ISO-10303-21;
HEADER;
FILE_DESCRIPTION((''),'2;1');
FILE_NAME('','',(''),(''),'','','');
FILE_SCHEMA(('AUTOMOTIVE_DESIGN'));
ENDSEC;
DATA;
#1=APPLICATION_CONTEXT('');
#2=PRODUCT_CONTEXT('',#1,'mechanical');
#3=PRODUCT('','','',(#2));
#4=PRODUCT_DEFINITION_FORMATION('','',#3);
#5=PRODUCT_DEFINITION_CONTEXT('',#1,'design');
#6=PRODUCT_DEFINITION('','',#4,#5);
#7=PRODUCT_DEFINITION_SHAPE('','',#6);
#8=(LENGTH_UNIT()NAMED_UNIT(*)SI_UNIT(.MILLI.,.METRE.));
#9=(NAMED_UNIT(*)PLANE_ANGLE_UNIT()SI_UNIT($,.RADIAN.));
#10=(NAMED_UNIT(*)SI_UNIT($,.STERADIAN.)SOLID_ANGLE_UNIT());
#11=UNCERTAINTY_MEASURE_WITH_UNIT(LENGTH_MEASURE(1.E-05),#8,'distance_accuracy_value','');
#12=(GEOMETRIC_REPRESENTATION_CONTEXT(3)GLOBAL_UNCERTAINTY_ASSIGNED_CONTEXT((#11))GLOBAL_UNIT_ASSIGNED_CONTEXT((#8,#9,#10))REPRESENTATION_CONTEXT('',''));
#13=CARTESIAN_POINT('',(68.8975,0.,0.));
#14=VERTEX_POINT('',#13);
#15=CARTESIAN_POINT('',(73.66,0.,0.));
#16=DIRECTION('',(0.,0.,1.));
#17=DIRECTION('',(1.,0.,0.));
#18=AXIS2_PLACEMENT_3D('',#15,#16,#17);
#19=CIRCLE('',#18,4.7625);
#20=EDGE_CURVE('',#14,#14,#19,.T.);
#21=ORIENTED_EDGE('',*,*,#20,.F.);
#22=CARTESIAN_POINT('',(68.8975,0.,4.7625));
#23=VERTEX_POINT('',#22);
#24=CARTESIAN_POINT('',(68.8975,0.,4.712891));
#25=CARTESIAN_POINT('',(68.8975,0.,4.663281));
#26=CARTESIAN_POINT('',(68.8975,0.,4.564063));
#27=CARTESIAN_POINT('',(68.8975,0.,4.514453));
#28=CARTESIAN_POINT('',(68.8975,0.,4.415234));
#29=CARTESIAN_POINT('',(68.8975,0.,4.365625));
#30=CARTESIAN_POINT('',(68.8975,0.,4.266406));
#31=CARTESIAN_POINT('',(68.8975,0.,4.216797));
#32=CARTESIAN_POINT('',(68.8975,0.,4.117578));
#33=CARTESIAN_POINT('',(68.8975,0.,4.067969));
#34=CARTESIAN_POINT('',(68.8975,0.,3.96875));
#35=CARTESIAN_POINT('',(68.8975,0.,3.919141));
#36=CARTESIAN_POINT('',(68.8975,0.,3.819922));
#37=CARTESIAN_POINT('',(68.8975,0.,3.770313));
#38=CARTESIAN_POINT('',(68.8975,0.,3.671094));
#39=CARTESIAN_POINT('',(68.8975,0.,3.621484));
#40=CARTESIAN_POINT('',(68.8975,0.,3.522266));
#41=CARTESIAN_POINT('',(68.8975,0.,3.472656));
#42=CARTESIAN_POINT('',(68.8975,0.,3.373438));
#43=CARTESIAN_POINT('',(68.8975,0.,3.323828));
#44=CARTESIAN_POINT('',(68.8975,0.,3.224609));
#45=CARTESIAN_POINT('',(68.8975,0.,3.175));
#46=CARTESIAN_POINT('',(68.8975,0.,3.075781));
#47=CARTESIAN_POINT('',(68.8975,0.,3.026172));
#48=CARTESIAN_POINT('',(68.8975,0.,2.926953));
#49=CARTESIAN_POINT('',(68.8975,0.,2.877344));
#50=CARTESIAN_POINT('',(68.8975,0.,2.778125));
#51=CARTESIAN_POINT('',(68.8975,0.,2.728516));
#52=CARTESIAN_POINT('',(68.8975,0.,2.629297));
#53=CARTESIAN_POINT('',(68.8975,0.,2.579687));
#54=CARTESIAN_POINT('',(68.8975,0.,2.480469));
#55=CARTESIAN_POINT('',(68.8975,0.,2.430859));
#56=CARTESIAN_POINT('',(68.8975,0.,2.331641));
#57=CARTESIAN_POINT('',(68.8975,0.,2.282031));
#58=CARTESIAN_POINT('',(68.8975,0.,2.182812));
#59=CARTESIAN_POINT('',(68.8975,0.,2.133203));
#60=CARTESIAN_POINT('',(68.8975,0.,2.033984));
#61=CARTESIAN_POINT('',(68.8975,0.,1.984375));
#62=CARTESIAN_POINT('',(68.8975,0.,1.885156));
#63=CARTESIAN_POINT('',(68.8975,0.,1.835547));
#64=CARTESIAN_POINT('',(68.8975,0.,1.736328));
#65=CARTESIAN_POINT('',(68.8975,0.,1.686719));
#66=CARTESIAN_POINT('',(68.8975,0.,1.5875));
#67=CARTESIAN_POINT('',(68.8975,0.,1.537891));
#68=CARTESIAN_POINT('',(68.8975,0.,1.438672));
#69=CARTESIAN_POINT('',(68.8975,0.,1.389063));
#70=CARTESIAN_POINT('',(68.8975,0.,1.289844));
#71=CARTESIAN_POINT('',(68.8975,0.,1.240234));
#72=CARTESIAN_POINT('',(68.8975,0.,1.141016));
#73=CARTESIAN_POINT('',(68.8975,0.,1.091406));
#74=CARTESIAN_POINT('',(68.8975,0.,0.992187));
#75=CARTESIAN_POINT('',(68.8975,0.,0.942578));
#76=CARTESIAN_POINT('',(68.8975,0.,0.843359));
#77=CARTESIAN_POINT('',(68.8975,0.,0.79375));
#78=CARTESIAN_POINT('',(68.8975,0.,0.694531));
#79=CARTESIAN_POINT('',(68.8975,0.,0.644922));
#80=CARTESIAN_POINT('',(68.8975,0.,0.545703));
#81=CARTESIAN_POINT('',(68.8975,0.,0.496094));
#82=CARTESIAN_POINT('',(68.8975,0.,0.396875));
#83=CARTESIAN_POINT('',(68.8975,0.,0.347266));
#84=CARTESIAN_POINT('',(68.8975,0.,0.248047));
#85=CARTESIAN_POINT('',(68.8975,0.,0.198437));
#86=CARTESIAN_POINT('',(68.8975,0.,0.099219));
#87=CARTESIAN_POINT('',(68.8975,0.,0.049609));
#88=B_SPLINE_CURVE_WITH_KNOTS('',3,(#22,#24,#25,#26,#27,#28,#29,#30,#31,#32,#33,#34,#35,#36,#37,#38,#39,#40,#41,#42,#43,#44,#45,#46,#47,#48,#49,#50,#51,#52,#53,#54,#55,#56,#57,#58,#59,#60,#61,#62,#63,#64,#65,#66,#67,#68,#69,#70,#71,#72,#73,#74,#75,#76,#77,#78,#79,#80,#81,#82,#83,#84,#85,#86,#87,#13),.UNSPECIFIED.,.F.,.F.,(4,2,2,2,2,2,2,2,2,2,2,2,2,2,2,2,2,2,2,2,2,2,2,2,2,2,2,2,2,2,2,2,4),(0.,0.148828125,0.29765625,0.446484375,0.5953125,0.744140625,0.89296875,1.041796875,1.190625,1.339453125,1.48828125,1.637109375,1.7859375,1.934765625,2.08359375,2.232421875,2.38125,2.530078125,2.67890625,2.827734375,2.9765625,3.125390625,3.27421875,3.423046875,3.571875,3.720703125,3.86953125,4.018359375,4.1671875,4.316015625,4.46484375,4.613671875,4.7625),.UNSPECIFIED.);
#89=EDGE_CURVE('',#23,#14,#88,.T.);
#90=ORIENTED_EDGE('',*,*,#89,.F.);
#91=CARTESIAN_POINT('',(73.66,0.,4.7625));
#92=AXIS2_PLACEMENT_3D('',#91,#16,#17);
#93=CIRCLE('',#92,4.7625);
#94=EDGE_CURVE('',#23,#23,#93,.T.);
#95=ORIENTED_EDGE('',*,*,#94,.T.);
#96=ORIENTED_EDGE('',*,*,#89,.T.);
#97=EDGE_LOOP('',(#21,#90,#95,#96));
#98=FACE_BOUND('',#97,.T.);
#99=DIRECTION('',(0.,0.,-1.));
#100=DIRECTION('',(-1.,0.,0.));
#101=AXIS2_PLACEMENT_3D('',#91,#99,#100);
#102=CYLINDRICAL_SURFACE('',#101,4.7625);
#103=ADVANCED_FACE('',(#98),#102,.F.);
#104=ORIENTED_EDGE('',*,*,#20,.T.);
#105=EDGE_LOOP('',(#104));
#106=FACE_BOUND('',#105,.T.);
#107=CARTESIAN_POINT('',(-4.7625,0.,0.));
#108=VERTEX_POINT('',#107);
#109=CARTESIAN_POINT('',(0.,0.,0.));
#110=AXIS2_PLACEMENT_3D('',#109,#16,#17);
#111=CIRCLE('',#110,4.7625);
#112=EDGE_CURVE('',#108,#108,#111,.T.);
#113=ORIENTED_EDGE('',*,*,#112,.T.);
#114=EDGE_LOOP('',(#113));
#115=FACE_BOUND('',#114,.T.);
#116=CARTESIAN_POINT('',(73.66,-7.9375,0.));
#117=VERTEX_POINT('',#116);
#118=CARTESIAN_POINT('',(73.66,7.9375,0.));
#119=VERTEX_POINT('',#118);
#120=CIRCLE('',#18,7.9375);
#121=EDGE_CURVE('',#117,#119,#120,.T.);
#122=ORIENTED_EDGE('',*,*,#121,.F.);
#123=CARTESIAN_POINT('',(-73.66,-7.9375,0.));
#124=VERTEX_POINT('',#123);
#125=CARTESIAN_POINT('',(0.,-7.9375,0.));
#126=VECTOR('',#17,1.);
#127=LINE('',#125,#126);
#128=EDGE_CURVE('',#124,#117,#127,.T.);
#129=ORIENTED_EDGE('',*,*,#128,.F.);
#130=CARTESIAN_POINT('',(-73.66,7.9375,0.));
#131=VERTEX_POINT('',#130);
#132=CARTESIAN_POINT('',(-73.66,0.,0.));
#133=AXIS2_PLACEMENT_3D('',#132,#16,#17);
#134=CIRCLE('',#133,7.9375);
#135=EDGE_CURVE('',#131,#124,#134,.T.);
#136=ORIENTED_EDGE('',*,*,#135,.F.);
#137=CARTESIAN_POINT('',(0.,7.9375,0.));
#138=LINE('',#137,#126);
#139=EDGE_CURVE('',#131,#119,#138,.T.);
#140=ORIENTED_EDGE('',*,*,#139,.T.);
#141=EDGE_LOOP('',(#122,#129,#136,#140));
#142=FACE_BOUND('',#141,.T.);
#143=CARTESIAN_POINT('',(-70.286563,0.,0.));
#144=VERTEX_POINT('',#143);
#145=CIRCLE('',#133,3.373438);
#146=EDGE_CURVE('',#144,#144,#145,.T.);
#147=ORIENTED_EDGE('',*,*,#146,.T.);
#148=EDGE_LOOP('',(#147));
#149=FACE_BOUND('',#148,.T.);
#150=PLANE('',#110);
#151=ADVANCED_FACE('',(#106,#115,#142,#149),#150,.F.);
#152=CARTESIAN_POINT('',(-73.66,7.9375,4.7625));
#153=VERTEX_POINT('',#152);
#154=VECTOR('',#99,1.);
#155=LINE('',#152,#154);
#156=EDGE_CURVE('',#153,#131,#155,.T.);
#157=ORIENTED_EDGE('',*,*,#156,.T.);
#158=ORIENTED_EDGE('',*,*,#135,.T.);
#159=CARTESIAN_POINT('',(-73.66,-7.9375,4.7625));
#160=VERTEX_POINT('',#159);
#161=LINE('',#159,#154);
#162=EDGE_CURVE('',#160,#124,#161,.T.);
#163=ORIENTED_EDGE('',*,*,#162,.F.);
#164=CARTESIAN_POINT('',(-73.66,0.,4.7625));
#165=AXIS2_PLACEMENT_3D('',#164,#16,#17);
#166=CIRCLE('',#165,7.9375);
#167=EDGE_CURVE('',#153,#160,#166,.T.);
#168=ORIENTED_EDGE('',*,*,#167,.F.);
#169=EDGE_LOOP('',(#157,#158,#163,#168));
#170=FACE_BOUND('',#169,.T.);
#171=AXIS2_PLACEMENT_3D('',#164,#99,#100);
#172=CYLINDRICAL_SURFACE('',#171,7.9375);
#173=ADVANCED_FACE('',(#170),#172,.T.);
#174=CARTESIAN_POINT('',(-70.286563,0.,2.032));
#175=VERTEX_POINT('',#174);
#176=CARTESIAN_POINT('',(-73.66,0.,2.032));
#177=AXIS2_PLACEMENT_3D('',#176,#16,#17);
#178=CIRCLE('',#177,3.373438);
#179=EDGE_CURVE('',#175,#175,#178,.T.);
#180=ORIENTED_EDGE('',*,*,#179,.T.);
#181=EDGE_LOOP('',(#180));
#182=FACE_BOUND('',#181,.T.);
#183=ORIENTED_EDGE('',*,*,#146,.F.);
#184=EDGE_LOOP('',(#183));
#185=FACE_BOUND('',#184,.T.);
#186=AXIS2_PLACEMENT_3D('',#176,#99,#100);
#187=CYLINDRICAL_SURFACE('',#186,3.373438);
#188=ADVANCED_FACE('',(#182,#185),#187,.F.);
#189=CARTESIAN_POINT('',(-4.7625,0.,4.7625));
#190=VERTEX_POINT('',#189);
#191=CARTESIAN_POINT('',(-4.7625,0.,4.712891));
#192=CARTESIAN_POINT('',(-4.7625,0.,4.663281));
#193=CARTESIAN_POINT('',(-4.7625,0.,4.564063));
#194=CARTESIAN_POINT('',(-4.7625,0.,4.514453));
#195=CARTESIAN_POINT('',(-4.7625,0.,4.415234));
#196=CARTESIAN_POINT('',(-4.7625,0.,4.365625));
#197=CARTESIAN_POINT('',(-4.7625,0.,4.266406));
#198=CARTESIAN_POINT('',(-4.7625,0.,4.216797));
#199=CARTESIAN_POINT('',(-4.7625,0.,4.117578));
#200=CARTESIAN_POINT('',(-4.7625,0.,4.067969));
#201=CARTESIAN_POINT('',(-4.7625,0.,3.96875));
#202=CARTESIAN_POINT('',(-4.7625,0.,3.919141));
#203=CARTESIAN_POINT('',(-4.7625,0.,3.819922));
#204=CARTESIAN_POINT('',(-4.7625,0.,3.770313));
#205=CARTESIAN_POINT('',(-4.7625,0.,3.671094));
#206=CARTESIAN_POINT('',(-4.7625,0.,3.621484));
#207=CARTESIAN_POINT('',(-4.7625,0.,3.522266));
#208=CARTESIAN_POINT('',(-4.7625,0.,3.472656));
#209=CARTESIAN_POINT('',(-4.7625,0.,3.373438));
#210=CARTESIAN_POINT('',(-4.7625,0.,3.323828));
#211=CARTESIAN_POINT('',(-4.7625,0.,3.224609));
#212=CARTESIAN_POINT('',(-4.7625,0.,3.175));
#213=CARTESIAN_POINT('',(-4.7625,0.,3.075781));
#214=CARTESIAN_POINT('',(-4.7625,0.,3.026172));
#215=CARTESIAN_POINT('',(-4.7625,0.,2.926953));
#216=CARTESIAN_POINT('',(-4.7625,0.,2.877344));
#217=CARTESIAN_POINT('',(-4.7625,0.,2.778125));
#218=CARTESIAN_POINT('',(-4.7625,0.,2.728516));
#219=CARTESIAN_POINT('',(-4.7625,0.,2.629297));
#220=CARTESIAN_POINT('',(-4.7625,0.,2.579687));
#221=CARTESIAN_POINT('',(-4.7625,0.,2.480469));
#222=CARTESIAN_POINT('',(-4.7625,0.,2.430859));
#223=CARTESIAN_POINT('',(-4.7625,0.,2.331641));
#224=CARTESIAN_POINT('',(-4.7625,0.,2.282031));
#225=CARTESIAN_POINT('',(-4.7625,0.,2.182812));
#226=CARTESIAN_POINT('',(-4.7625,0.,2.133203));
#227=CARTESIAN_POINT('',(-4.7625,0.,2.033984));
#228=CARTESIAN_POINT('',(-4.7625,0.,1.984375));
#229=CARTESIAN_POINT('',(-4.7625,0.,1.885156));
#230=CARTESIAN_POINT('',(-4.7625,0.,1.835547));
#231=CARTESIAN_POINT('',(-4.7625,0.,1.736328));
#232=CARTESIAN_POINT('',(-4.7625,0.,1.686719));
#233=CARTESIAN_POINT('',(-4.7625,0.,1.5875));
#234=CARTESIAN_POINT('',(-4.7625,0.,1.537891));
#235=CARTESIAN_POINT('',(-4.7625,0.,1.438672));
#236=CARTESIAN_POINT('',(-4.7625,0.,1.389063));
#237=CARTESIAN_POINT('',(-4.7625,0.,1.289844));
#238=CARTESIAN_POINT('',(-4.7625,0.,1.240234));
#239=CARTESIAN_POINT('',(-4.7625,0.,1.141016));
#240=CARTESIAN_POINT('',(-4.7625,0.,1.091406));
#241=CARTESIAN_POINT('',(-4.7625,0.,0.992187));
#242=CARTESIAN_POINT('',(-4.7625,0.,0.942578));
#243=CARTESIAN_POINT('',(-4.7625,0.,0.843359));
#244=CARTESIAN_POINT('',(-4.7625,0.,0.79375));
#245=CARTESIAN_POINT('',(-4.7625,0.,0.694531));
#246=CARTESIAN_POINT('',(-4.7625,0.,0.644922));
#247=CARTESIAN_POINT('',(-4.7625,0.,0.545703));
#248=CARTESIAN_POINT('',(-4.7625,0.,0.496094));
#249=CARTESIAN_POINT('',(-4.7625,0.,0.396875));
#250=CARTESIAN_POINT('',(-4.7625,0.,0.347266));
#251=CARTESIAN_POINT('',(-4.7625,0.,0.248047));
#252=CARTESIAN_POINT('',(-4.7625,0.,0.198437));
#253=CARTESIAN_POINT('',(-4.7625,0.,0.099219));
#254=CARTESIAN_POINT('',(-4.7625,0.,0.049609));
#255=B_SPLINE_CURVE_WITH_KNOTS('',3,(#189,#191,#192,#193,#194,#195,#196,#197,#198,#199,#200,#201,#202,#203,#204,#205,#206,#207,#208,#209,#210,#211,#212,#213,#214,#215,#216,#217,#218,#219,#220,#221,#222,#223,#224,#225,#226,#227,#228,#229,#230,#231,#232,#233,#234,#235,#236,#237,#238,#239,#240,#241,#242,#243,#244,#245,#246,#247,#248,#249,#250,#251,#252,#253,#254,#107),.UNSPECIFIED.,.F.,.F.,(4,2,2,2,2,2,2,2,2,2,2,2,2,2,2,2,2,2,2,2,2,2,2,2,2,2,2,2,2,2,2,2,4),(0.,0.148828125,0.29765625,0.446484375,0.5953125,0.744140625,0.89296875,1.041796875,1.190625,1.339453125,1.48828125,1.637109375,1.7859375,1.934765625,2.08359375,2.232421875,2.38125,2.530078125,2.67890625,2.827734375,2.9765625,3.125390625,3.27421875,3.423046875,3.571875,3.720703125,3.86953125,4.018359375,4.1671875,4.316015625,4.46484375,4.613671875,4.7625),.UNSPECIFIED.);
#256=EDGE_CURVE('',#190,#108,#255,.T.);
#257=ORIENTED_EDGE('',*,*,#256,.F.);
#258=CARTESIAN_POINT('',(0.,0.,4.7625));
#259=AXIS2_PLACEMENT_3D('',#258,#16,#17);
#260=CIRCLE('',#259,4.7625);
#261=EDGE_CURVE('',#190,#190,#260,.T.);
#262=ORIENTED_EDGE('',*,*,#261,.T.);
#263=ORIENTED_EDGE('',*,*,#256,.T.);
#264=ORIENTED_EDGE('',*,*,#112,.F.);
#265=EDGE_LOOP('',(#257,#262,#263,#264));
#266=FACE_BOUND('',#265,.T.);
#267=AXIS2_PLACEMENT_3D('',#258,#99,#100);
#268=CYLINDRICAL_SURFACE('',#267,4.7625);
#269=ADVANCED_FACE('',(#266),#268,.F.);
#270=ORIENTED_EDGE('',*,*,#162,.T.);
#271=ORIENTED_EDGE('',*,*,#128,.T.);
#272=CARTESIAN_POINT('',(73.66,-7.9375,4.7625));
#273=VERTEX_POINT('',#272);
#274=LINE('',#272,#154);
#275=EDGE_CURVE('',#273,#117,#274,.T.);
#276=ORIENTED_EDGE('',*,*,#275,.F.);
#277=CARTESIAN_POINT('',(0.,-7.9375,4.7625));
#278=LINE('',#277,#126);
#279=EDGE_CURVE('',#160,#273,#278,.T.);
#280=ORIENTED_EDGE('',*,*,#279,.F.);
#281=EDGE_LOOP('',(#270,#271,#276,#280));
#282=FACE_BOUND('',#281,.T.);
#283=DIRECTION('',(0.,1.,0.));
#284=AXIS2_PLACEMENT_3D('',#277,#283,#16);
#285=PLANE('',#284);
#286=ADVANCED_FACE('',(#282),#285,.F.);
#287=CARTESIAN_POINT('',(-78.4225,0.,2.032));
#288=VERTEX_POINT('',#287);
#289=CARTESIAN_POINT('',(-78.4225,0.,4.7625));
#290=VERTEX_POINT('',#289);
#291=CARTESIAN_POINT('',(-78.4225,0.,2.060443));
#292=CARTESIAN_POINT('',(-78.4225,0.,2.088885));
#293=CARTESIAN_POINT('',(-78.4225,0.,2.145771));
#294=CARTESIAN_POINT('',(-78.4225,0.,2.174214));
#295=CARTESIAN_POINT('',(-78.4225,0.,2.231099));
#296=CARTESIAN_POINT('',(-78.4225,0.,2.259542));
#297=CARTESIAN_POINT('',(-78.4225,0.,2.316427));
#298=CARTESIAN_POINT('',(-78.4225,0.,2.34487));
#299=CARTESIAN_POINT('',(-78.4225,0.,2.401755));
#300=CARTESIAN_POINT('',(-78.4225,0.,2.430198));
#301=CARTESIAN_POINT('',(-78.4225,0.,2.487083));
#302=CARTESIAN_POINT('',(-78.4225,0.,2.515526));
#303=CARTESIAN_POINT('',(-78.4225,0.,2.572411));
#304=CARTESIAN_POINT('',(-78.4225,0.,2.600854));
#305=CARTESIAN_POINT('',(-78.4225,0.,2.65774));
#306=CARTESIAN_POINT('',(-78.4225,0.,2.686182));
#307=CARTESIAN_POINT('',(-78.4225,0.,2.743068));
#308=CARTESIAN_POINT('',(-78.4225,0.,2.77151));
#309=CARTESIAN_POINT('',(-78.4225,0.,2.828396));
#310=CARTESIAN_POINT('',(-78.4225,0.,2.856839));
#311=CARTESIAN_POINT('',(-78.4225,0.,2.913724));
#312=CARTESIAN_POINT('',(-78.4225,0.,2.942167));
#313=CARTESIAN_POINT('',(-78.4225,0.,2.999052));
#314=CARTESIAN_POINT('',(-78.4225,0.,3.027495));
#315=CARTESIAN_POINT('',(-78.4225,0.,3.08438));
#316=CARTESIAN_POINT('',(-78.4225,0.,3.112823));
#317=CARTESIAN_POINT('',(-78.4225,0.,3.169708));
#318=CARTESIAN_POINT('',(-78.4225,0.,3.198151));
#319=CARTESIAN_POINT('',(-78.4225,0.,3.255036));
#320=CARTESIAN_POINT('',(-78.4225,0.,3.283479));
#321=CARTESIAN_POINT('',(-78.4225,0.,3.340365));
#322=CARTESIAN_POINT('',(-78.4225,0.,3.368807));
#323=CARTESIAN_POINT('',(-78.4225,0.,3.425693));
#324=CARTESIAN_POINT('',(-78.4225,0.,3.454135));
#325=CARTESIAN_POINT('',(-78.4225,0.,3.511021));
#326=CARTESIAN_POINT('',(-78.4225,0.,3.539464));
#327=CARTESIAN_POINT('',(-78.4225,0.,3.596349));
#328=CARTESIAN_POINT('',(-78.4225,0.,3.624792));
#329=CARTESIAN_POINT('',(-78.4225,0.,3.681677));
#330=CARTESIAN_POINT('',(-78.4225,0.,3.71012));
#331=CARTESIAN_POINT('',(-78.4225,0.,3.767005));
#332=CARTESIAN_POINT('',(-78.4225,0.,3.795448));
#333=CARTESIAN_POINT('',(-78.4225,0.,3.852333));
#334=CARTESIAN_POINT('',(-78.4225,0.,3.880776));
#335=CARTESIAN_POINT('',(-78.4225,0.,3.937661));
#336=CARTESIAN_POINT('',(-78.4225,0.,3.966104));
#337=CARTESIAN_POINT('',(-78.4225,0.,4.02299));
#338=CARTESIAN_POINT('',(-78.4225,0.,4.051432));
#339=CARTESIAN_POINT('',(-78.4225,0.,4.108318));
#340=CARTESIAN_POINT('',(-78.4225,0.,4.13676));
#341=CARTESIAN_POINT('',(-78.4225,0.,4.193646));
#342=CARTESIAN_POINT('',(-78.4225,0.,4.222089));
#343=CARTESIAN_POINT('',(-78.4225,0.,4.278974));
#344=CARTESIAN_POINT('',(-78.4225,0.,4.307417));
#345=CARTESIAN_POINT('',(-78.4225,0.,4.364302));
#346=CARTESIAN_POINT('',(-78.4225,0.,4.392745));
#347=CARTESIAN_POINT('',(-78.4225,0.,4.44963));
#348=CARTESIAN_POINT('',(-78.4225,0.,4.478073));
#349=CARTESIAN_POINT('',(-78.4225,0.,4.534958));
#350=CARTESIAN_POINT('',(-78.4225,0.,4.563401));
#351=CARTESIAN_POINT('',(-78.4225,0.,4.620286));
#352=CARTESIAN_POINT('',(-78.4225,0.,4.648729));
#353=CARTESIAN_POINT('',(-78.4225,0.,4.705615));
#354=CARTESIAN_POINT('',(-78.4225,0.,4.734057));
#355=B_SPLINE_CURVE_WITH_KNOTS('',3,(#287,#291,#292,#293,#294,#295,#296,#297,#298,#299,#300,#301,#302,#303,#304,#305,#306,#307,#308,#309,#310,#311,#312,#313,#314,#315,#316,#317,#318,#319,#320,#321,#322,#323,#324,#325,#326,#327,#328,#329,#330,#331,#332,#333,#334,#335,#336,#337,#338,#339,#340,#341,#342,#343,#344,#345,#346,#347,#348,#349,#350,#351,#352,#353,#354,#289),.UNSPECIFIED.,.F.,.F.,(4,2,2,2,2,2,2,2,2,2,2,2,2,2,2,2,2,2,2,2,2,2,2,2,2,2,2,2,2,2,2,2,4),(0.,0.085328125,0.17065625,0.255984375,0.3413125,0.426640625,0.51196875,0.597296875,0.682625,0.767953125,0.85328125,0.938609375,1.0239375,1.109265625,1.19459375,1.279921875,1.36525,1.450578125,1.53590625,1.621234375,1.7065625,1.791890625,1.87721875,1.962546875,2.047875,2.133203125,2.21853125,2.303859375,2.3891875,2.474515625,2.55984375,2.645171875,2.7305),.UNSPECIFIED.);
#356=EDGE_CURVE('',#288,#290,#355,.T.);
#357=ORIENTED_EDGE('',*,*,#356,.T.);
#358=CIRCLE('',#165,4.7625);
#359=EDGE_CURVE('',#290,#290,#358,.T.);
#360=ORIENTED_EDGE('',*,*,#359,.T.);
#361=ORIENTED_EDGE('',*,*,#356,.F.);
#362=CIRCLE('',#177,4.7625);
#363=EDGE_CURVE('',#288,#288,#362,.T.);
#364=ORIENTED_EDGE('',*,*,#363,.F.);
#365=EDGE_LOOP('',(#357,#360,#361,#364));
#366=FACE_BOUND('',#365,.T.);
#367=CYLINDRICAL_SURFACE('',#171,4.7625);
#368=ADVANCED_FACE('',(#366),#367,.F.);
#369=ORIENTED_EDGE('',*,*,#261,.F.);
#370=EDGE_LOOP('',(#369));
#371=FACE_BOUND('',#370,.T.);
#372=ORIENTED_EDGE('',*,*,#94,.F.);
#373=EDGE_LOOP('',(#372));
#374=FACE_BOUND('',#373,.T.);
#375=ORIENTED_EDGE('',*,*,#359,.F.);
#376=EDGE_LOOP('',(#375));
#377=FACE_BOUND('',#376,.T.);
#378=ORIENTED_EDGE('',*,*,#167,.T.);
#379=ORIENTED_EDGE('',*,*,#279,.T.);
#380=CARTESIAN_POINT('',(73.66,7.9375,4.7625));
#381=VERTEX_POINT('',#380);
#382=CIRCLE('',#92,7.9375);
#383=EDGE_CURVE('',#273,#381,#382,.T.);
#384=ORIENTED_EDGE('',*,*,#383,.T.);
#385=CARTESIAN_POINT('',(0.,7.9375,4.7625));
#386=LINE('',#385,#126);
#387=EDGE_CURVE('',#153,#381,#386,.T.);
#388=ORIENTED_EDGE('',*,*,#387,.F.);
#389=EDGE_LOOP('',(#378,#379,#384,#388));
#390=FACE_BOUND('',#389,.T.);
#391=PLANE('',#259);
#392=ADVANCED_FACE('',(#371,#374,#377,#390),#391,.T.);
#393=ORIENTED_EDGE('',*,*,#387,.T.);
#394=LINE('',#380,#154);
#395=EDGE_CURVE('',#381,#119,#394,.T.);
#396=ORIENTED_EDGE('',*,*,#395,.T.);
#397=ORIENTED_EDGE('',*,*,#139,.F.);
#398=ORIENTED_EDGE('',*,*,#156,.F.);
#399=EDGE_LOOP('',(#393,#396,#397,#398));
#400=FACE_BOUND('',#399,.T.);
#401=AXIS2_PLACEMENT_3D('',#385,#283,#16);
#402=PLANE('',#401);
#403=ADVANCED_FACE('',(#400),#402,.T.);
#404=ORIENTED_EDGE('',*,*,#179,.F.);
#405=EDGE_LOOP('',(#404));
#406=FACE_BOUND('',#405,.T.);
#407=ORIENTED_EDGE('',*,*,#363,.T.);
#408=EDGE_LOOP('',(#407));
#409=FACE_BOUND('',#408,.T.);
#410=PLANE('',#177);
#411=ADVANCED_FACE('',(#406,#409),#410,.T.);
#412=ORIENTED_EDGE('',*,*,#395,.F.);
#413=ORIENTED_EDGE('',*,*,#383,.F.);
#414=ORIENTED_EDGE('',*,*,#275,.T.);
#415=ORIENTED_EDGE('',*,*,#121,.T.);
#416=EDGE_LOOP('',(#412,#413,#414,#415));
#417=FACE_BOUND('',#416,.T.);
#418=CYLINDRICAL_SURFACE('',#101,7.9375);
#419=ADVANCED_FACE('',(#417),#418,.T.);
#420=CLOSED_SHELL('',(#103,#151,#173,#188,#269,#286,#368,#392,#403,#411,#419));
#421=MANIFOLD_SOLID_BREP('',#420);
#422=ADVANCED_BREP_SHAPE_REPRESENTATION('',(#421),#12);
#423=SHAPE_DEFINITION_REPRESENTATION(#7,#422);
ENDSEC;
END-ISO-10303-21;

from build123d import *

# Parameters (mm, degrees)
SKETCH1_R           = 4.7625
BOSS_EXTRUDE1_DEPTH = 4.7625
SKETCH1_2_R         = 4.7625
SKETCH1_2_R_2       = 3.3734375
BOSS_EXTRUDE2_DEPTH = 2.032


with BuildPart() as part:
    # Sketch1 → Boss-Extrude1 (new body)
    with BuildSketch(Plane.XY):
        with BuildLine():
            Line((73.66, 7.9375), (-73.66, 7.9375))
            ThreePointArc((-73.66, 7.9375), (-81.5975, 0), (-73.66, -7.9375))
            Line((-73.66, -7.9375), (73.66, -7.9375))
            ThreePointArc((73.66, -7.9375), (81.5975, 0), (73.66, 7.9375))
        make_face()
        Circle(SKETCH1_R, mode=Mode.SUBTRACT)
        with Locations((-73.66, 0)):
            Circle(SKETCH1_R, mode=Mode.SUBTRACT)
        with Locations((73.66, 0)):
            Circle(SKETCH1_R, mode=Mode.SUBTRACT)
    extrude(amount=BOSS_EXTRUDE1_DEPTH)

    # Sketch1<2> → Boss-Extrude2 (add)
    with BuildSketch(Plane.XY):
        with Locations((-73.66, 0)):
            Circle(SKETCH1_2_R)
        with Locations((-73.66, 0)):
            Circle(SKETCH1_2_R_2, mode=Mode.SUBTRACT)
    extrude(amount=BOSS_EXTRUDE2_DEPTH)


solid = part.part
